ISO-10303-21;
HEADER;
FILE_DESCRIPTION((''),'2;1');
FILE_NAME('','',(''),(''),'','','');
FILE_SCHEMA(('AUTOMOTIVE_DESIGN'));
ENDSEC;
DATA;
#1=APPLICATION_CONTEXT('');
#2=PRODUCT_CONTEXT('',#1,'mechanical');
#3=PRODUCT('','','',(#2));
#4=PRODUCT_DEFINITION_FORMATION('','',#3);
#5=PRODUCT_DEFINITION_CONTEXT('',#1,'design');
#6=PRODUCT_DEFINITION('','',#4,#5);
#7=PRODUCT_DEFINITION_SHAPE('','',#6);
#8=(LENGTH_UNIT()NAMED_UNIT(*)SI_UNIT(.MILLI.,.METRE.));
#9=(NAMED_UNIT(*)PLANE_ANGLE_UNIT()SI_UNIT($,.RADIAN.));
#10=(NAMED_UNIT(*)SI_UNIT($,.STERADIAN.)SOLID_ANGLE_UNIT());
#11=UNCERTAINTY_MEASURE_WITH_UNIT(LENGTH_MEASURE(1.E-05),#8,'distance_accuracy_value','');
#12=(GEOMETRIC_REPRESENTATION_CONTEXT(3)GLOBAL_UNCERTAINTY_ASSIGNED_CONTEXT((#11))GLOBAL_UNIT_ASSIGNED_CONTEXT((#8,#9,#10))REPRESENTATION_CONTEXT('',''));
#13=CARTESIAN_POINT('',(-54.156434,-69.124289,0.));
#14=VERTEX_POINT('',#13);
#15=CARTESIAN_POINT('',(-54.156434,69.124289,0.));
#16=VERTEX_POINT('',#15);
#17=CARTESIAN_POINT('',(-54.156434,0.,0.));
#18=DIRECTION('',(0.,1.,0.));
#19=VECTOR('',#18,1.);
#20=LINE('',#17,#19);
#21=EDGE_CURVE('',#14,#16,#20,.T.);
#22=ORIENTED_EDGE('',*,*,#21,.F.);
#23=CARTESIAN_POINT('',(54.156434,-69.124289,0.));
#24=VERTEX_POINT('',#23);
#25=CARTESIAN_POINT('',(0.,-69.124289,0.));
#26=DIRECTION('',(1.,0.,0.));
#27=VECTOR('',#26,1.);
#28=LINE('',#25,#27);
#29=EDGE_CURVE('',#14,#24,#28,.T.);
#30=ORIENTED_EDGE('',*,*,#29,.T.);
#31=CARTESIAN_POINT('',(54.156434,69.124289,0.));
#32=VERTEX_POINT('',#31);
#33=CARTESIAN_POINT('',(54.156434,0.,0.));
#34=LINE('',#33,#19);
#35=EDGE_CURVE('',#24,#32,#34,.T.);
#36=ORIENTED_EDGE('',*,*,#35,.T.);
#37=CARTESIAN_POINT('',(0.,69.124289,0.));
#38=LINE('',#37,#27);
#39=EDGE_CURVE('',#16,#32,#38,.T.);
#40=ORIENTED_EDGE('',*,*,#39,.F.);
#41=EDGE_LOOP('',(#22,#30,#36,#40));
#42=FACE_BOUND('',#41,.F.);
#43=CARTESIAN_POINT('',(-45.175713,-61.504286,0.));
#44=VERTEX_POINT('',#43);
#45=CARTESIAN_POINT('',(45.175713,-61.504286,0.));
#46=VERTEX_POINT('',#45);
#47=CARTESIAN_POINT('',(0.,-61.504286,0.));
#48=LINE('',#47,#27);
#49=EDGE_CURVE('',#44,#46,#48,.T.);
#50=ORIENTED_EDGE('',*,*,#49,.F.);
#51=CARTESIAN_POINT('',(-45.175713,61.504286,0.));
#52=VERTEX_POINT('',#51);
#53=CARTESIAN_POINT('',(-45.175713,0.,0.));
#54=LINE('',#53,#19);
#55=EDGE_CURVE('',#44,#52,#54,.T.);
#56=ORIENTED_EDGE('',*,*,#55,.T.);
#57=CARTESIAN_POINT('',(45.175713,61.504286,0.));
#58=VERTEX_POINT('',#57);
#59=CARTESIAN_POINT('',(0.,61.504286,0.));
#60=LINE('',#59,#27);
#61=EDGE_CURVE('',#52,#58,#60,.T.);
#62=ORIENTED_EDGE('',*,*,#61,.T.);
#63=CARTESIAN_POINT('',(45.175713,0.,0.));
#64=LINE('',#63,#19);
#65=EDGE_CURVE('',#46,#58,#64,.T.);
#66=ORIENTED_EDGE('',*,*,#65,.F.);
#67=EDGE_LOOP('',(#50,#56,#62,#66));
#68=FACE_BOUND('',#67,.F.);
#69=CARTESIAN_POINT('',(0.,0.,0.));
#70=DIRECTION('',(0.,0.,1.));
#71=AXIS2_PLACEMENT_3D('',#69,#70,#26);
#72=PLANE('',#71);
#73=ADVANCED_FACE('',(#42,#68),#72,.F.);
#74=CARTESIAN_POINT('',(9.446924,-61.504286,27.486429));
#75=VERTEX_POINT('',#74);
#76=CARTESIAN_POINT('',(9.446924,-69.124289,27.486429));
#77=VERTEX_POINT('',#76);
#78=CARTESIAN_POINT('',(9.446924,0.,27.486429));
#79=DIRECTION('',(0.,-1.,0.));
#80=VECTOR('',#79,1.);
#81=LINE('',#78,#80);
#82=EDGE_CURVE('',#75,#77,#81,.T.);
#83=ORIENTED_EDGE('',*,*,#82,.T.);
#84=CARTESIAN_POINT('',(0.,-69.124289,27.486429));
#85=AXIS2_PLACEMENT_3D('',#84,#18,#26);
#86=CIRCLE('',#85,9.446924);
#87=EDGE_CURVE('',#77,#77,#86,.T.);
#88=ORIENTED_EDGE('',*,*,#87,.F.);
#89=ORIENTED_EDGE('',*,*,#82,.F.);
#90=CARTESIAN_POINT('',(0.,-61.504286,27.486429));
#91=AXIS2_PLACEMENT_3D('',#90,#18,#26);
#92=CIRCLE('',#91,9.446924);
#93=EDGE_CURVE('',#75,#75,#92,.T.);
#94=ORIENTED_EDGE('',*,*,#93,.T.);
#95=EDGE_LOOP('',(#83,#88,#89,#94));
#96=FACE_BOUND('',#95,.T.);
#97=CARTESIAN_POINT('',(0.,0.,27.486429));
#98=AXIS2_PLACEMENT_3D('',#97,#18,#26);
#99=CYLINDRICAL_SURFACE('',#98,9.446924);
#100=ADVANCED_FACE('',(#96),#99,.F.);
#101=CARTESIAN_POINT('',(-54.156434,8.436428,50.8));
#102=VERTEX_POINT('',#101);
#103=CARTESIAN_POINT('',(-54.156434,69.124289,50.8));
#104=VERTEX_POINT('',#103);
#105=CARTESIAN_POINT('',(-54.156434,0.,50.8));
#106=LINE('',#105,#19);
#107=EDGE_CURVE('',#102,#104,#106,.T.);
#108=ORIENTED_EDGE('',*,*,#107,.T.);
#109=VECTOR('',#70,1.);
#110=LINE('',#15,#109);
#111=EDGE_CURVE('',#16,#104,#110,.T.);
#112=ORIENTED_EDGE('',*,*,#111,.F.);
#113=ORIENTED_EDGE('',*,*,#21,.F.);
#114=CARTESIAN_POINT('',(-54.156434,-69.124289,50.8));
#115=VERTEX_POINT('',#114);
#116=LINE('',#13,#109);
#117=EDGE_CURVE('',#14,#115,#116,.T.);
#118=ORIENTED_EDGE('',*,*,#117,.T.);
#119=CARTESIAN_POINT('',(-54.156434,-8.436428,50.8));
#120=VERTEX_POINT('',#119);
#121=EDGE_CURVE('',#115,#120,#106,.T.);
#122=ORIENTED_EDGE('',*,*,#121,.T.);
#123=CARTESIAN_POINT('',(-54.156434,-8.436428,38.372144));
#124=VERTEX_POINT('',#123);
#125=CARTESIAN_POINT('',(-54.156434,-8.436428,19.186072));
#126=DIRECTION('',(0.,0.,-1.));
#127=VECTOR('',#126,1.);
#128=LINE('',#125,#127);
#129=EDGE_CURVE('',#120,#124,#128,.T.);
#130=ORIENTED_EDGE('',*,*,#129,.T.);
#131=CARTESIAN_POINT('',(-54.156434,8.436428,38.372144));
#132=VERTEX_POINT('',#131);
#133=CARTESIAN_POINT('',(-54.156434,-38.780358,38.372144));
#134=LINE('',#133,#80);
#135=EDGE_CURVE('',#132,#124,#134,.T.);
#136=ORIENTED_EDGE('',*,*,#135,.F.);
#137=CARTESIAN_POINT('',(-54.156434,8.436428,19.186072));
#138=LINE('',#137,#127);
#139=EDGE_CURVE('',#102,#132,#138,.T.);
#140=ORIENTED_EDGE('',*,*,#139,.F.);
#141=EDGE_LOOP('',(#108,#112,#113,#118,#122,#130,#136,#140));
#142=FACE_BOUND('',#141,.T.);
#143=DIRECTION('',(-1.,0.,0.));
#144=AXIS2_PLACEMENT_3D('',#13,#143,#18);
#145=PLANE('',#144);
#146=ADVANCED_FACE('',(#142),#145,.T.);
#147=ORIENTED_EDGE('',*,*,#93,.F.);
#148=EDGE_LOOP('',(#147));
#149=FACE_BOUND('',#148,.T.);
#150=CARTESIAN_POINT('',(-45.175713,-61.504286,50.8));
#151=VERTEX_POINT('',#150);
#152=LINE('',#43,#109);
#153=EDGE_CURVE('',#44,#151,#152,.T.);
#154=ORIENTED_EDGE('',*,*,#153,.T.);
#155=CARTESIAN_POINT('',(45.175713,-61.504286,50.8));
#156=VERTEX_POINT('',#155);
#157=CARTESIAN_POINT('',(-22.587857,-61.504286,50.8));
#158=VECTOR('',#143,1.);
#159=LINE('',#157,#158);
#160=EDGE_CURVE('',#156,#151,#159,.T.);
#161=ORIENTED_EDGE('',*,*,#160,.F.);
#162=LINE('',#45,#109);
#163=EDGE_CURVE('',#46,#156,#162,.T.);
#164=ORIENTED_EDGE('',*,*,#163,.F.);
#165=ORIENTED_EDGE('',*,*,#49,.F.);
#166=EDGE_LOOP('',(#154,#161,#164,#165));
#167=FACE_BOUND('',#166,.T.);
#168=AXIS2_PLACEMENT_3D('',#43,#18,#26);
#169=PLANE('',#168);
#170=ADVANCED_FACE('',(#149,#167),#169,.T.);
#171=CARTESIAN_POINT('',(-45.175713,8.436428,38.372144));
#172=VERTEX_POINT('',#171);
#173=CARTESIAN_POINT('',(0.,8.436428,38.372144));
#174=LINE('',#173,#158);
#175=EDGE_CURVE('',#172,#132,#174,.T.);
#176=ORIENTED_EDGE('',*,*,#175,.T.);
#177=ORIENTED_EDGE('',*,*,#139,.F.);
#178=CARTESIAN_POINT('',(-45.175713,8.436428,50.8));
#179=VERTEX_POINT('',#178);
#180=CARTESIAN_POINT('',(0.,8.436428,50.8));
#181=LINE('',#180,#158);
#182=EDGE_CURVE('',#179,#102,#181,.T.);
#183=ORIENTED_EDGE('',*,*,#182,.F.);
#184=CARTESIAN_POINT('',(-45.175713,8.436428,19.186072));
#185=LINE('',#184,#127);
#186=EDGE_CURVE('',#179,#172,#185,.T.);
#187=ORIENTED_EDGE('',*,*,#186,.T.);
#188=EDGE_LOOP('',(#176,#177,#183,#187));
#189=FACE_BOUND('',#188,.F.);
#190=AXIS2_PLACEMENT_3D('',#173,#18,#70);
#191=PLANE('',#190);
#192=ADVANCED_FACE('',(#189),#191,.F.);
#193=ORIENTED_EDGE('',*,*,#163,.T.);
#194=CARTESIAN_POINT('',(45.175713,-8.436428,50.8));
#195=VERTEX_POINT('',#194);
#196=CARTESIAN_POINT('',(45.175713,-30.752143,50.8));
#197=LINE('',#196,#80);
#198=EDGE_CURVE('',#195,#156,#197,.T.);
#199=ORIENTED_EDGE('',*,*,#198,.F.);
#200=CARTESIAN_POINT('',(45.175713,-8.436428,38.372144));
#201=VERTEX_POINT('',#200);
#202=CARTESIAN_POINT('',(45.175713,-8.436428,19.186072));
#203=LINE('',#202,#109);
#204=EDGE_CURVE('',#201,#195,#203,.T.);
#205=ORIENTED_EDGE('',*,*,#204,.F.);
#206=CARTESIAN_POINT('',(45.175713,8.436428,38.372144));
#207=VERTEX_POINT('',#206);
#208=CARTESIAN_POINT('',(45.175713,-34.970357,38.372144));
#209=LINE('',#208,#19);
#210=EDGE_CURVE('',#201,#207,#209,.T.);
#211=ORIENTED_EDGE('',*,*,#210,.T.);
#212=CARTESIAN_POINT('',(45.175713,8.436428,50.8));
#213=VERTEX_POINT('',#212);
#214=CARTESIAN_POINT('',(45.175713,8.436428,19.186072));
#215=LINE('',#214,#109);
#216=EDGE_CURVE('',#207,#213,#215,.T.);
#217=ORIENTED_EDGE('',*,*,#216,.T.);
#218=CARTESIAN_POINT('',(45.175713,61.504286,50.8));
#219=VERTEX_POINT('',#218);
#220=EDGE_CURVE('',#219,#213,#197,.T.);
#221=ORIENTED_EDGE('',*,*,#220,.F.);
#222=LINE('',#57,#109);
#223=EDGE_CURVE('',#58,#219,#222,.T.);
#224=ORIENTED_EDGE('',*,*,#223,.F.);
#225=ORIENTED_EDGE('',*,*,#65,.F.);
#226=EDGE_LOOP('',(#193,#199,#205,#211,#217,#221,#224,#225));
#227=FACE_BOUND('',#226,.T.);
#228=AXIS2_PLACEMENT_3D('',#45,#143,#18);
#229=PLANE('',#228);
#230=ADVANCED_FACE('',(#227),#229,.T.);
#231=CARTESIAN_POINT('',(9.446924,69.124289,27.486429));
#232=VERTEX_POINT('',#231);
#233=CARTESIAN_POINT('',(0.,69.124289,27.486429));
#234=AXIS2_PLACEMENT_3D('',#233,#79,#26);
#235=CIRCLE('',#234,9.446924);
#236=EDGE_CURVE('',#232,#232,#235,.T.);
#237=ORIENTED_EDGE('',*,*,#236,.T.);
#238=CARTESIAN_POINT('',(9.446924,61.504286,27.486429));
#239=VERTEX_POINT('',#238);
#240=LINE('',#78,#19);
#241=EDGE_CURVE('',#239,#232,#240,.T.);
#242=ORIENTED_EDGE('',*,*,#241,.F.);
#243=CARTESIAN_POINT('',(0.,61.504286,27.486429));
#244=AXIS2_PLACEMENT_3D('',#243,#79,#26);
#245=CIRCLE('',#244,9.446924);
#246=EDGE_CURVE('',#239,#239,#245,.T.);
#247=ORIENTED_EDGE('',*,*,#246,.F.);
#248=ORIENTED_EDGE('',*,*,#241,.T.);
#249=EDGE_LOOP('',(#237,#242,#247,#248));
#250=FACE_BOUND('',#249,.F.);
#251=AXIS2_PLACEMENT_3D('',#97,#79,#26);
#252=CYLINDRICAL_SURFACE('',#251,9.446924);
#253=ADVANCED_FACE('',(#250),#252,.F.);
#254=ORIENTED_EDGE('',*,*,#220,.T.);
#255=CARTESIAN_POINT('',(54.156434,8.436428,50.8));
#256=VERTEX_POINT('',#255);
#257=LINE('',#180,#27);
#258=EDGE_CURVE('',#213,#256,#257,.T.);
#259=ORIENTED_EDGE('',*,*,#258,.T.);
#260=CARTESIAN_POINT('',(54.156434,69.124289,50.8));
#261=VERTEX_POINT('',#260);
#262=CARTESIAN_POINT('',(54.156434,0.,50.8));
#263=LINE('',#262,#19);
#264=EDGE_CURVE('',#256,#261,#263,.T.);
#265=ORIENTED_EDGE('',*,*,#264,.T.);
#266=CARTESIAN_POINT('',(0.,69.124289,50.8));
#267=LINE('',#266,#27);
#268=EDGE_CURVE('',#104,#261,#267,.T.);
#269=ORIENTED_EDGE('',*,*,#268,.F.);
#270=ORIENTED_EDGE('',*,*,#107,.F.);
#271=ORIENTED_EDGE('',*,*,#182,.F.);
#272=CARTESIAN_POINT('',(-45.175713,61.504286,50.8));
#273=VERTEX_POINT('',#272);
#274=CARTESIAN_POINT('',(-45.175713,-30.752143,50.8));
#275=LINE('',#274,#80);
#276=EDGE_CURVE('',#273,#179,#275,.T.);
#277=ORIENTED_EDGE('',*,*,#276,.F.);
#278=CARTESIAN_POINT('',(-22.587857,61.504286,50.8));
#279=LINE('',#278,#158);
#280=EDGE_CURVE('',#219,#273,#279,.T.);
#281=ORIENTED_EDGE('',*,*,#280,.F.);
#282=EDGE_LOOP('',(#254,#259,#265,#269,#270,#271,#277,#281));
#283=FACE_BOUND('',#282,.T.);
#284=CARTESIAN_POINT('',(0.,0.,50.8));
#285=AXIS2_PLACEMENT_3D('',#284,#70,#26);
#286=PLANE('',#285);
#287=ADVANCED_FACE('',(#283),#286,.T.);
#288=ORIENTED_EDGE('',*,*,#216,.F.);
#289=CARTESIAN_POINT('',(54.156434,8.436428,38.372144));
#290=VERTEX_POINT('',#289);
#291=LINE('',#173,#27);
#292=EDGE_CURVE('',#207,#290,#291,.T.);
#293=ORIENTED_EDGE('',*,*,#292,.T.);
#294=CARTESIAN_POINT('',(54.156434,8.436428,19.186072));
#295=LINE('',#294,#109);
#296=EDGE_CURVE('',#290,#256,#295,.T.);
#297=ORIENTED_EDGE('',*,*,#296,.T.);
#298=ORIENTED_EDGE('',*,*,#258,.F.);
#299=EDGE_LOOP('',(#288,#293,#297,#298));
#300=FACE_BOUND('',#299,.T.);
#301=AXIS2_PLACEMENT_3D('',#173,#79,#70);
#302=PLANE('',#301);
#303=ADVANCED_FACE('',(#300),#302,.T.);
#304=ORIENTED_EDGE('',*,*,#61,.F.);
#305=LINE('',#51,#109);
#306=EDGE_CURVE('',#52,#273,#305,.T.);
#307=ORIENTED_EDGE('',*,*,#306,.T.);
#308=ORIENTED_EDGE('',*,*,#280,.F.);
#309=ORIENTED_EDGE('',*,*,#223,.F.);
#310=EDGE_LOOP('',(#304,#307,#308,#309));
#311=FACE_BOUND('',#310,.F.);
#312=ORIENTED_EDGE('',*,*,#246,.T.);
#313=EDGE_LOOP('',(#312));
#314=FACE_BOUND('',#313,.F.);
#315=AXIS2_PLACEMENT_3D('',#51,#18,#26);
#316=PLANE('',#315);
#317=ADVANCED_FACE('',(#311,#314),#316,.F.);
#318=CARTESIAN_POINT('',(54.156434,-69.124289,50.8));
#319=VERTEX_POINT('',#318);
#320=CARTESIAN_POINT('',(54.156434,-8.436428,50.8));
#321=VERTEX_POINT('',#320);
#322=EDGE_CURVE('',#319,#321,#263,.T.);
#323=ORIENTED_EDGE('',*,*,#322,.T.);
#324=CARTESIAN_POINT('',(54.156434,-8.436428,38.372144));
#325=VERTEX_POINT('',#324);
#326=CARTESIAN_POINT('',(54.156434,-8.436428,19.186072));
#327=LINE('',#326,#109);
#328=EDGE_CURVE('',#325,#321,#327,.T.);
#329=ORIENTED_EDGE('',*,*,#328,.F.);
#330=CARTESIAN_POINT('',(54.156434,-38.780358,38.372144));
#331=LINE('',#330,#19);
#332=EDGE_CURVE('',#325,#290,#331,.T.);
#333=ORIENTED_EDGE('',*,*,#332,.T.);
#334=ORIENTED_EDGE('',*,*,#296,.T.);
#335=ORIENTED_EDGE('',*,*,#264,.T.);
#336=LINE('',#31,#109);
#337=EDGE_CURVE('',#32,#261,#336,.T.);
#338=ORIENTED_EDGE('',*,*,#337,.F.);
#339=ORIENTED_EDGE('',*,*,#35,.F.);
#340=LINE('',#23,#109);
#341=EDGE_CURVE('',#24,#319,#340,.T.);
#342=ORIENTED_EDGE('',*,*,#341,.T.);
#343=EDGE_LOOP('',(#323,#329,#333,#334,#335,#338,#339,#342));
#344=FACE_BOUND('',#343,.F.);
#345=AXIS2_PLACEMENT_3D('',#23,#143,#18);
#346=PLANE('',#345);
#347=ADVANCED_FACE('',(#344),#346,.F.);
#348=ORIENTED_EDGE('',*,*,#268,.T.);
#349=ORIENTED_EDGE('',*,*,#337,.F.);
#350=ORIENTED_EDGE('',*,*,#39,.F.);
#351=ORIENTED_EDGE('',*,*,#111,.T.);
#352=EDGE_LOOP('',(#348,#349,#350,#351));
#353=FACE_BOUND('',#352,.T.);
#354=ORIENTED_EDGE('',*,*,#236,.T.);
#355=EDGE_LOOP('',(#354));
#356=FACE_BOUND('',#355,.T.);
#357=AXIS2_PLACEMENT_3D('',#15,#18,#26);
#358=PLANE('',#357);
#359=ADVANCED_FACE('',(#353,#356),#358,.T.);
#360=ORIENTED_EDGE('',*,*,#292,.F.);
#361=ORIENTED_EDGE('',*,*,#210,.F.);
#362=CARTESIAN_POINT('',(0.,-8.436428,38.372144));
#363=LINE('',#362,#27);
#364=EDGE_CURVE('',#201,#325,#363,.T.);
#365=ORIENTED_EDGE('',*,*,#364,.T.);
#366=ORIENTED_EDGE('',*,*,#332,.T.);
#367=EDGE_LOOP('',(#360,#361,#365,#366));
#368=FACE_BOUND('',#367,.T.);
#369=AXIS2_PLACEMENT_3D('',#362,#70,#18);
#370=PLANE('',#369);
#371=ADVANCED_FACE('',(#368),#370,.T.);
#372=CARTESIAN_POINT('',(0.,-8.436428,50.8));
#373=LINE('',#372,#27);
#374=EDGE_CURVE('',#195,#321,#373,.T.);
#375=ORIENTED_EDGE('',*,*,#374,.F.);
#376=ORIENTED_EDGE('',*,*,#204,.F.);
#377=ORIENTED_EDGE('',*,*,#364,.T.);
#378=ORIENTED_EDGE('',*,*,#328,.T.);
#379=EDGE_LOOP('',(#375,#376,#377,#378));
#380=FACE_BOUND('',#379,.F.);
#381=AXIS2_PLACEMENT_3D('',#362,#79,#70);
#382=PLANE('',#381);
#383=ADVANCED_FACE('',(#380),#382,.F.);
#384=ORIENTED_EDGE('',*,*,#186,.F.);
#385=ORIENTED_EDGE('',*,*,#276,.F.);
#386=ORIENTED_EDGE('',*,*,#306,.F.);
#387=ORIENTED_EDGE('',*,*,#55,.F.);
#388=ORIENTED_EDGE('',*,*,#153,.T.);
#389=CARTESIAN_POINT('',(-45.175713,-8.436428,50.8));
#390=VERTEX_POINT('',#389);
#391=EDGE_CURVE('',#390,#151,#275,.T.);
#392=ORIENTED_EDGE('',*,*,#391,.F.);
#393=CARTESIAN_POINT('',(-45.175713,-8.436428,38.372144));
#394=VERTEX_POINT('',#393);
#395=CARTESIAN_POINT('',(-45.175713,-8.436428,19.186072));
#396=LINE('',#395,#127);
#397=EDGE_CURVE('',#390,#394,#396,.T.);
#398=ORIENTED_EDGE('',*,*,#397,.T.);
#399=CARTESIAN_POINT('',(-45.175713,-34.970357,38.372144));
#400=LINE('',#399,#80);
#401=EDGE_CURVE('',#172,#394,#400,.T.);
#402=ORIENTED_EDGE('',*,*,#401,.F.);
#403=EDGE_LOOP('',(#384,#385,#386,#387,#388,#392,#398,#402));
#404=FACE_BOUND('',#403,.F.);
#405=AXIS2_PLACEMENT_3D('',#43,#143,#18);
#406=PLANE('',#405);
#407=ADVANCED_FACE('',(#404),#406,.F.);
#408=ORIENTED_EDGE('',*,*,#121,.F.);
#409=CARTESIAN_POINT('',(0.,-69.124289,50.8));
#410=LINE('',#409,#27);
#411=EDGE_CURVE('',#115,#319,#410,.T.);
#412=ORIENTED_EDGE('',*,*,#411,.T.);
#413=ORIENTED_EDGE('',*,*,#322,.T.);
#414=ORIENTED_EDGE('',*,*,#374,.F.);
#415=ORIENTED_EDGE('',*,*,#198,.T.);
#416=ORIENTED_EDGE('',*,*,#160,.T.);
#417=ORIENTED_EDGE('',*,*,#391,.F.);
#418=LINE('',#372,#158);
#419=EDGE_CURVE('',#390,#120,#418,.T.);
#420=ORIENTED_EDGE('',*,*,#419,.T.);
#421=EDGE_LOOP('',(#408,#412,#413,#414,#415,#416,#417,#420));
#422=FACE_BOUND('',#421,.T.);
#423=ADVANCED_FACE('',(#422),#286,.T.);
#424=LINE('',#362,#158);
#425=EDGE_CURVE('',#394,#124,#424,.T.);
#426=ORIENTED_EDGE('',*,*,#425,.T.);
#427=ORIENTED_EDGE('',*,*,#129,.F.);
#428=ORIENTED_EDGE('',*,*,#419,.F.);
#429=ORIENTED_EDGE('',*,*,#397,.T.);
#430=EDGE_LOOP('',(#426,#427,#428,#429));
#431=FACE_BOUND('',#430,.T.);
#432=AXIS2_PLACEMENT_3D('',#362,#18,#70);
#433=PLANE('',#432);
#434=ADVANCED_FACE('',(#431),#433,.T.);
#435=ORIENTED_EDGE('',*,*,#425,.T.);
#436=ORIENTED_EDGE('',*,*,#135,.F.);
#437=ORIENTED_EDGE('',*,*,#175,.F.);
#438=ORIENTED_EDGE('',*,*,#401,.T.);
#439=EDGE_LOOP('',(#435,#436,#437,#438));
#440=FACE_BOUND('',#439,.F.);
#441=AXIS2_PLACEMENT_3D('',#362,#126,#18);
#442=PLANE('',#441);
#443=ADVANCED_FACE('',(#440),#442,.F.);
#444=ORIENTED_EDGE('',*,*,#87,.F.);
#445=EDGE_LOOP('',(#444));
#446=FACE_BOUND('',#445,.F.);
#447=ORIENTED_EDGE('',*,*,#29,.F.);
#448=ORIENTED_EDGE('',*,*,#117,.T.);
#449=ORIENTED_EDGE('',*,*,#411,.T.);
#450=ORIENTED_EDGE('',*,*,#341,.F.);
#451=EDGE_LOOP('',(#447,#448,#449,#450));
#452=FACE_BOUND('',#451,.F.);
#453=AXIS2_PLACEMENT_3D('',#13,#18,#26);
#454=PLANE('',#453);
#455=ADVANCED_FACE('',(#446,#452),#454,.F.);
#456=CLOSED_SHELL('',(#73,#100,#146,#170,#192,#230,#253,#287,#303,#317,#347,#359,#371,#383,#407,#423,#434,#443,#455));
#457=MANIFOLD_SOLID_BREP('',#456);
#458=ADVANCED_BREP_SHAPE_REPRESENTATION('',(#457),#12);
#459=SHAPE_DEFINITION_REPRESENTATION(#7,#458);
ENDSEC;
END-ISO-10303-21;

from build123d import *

# Parameters (mm, degrees)
F0_W     = 108.312868
F0_H     = 138.248578
F1_DEPTH = 50.8
F2_W     = 90.351426
F2_H     = 123.008572
F3_DEPTH = 110.998
F4_W     = 16.872856
F4_H     = 12.51857
F5_DEPTH = 66.802
F6_DEPTH = 162.56
F7_R     = 9.446924
F8_DEPTH = 123.952
F9_DEPTH = 117.602


with BuildPart() as f1:
    # F0 (on Top) → F1 (new body)
    with BuildSketch(Plane.XY):
        Rectangle(F0_W, F0_H)
    extrude(amount=F1_DEPTH)

    # F2 (on Top) → F3 (cut)
    with BuildSketch(Plane.XY):
        Rectangle(F2_W, F2_H)
    extrude(amount=F3_DEPTH, mode=Mode.SUBTRACT)

    # F4 (on Right) → F5 (cut)
    with BuildSketch(Plane.YZ):
        with Locations((0, 44.631429)):
            Rectangle(F4_W, F4_H)
    extrude(amount=-F5_DEPTH, mode=Mode.SUBTRACT)

    # F4 (on Right) → F6 (cut)
    with BuildSketch(Plane.YZ):
        with Locations((0, 44.631429)):
            Rectangle(F4_W, F4_H)
    extrude(amount=F6_DEPTH, mode=Mode.SUBTRACT)

    # F7 (on Front) → F8 (cut)
    with BuildSketch(Plane.XZ):
        with Locations((0, 27.486429)):
            Circle(F7_R)
    extrude(amount=F8_DEPTH, mode=Mode.SUBTRACT)

    # F7 (on Front) → F9 (cut)
    with BuildSketch(Plane.XZ):
        with Locations((0, 27.486429)):
            Circle(F7_R)
    extrude(amount=-F9_DEPTH, mode=Mode.SUBTRACT)


solid = f1.part
